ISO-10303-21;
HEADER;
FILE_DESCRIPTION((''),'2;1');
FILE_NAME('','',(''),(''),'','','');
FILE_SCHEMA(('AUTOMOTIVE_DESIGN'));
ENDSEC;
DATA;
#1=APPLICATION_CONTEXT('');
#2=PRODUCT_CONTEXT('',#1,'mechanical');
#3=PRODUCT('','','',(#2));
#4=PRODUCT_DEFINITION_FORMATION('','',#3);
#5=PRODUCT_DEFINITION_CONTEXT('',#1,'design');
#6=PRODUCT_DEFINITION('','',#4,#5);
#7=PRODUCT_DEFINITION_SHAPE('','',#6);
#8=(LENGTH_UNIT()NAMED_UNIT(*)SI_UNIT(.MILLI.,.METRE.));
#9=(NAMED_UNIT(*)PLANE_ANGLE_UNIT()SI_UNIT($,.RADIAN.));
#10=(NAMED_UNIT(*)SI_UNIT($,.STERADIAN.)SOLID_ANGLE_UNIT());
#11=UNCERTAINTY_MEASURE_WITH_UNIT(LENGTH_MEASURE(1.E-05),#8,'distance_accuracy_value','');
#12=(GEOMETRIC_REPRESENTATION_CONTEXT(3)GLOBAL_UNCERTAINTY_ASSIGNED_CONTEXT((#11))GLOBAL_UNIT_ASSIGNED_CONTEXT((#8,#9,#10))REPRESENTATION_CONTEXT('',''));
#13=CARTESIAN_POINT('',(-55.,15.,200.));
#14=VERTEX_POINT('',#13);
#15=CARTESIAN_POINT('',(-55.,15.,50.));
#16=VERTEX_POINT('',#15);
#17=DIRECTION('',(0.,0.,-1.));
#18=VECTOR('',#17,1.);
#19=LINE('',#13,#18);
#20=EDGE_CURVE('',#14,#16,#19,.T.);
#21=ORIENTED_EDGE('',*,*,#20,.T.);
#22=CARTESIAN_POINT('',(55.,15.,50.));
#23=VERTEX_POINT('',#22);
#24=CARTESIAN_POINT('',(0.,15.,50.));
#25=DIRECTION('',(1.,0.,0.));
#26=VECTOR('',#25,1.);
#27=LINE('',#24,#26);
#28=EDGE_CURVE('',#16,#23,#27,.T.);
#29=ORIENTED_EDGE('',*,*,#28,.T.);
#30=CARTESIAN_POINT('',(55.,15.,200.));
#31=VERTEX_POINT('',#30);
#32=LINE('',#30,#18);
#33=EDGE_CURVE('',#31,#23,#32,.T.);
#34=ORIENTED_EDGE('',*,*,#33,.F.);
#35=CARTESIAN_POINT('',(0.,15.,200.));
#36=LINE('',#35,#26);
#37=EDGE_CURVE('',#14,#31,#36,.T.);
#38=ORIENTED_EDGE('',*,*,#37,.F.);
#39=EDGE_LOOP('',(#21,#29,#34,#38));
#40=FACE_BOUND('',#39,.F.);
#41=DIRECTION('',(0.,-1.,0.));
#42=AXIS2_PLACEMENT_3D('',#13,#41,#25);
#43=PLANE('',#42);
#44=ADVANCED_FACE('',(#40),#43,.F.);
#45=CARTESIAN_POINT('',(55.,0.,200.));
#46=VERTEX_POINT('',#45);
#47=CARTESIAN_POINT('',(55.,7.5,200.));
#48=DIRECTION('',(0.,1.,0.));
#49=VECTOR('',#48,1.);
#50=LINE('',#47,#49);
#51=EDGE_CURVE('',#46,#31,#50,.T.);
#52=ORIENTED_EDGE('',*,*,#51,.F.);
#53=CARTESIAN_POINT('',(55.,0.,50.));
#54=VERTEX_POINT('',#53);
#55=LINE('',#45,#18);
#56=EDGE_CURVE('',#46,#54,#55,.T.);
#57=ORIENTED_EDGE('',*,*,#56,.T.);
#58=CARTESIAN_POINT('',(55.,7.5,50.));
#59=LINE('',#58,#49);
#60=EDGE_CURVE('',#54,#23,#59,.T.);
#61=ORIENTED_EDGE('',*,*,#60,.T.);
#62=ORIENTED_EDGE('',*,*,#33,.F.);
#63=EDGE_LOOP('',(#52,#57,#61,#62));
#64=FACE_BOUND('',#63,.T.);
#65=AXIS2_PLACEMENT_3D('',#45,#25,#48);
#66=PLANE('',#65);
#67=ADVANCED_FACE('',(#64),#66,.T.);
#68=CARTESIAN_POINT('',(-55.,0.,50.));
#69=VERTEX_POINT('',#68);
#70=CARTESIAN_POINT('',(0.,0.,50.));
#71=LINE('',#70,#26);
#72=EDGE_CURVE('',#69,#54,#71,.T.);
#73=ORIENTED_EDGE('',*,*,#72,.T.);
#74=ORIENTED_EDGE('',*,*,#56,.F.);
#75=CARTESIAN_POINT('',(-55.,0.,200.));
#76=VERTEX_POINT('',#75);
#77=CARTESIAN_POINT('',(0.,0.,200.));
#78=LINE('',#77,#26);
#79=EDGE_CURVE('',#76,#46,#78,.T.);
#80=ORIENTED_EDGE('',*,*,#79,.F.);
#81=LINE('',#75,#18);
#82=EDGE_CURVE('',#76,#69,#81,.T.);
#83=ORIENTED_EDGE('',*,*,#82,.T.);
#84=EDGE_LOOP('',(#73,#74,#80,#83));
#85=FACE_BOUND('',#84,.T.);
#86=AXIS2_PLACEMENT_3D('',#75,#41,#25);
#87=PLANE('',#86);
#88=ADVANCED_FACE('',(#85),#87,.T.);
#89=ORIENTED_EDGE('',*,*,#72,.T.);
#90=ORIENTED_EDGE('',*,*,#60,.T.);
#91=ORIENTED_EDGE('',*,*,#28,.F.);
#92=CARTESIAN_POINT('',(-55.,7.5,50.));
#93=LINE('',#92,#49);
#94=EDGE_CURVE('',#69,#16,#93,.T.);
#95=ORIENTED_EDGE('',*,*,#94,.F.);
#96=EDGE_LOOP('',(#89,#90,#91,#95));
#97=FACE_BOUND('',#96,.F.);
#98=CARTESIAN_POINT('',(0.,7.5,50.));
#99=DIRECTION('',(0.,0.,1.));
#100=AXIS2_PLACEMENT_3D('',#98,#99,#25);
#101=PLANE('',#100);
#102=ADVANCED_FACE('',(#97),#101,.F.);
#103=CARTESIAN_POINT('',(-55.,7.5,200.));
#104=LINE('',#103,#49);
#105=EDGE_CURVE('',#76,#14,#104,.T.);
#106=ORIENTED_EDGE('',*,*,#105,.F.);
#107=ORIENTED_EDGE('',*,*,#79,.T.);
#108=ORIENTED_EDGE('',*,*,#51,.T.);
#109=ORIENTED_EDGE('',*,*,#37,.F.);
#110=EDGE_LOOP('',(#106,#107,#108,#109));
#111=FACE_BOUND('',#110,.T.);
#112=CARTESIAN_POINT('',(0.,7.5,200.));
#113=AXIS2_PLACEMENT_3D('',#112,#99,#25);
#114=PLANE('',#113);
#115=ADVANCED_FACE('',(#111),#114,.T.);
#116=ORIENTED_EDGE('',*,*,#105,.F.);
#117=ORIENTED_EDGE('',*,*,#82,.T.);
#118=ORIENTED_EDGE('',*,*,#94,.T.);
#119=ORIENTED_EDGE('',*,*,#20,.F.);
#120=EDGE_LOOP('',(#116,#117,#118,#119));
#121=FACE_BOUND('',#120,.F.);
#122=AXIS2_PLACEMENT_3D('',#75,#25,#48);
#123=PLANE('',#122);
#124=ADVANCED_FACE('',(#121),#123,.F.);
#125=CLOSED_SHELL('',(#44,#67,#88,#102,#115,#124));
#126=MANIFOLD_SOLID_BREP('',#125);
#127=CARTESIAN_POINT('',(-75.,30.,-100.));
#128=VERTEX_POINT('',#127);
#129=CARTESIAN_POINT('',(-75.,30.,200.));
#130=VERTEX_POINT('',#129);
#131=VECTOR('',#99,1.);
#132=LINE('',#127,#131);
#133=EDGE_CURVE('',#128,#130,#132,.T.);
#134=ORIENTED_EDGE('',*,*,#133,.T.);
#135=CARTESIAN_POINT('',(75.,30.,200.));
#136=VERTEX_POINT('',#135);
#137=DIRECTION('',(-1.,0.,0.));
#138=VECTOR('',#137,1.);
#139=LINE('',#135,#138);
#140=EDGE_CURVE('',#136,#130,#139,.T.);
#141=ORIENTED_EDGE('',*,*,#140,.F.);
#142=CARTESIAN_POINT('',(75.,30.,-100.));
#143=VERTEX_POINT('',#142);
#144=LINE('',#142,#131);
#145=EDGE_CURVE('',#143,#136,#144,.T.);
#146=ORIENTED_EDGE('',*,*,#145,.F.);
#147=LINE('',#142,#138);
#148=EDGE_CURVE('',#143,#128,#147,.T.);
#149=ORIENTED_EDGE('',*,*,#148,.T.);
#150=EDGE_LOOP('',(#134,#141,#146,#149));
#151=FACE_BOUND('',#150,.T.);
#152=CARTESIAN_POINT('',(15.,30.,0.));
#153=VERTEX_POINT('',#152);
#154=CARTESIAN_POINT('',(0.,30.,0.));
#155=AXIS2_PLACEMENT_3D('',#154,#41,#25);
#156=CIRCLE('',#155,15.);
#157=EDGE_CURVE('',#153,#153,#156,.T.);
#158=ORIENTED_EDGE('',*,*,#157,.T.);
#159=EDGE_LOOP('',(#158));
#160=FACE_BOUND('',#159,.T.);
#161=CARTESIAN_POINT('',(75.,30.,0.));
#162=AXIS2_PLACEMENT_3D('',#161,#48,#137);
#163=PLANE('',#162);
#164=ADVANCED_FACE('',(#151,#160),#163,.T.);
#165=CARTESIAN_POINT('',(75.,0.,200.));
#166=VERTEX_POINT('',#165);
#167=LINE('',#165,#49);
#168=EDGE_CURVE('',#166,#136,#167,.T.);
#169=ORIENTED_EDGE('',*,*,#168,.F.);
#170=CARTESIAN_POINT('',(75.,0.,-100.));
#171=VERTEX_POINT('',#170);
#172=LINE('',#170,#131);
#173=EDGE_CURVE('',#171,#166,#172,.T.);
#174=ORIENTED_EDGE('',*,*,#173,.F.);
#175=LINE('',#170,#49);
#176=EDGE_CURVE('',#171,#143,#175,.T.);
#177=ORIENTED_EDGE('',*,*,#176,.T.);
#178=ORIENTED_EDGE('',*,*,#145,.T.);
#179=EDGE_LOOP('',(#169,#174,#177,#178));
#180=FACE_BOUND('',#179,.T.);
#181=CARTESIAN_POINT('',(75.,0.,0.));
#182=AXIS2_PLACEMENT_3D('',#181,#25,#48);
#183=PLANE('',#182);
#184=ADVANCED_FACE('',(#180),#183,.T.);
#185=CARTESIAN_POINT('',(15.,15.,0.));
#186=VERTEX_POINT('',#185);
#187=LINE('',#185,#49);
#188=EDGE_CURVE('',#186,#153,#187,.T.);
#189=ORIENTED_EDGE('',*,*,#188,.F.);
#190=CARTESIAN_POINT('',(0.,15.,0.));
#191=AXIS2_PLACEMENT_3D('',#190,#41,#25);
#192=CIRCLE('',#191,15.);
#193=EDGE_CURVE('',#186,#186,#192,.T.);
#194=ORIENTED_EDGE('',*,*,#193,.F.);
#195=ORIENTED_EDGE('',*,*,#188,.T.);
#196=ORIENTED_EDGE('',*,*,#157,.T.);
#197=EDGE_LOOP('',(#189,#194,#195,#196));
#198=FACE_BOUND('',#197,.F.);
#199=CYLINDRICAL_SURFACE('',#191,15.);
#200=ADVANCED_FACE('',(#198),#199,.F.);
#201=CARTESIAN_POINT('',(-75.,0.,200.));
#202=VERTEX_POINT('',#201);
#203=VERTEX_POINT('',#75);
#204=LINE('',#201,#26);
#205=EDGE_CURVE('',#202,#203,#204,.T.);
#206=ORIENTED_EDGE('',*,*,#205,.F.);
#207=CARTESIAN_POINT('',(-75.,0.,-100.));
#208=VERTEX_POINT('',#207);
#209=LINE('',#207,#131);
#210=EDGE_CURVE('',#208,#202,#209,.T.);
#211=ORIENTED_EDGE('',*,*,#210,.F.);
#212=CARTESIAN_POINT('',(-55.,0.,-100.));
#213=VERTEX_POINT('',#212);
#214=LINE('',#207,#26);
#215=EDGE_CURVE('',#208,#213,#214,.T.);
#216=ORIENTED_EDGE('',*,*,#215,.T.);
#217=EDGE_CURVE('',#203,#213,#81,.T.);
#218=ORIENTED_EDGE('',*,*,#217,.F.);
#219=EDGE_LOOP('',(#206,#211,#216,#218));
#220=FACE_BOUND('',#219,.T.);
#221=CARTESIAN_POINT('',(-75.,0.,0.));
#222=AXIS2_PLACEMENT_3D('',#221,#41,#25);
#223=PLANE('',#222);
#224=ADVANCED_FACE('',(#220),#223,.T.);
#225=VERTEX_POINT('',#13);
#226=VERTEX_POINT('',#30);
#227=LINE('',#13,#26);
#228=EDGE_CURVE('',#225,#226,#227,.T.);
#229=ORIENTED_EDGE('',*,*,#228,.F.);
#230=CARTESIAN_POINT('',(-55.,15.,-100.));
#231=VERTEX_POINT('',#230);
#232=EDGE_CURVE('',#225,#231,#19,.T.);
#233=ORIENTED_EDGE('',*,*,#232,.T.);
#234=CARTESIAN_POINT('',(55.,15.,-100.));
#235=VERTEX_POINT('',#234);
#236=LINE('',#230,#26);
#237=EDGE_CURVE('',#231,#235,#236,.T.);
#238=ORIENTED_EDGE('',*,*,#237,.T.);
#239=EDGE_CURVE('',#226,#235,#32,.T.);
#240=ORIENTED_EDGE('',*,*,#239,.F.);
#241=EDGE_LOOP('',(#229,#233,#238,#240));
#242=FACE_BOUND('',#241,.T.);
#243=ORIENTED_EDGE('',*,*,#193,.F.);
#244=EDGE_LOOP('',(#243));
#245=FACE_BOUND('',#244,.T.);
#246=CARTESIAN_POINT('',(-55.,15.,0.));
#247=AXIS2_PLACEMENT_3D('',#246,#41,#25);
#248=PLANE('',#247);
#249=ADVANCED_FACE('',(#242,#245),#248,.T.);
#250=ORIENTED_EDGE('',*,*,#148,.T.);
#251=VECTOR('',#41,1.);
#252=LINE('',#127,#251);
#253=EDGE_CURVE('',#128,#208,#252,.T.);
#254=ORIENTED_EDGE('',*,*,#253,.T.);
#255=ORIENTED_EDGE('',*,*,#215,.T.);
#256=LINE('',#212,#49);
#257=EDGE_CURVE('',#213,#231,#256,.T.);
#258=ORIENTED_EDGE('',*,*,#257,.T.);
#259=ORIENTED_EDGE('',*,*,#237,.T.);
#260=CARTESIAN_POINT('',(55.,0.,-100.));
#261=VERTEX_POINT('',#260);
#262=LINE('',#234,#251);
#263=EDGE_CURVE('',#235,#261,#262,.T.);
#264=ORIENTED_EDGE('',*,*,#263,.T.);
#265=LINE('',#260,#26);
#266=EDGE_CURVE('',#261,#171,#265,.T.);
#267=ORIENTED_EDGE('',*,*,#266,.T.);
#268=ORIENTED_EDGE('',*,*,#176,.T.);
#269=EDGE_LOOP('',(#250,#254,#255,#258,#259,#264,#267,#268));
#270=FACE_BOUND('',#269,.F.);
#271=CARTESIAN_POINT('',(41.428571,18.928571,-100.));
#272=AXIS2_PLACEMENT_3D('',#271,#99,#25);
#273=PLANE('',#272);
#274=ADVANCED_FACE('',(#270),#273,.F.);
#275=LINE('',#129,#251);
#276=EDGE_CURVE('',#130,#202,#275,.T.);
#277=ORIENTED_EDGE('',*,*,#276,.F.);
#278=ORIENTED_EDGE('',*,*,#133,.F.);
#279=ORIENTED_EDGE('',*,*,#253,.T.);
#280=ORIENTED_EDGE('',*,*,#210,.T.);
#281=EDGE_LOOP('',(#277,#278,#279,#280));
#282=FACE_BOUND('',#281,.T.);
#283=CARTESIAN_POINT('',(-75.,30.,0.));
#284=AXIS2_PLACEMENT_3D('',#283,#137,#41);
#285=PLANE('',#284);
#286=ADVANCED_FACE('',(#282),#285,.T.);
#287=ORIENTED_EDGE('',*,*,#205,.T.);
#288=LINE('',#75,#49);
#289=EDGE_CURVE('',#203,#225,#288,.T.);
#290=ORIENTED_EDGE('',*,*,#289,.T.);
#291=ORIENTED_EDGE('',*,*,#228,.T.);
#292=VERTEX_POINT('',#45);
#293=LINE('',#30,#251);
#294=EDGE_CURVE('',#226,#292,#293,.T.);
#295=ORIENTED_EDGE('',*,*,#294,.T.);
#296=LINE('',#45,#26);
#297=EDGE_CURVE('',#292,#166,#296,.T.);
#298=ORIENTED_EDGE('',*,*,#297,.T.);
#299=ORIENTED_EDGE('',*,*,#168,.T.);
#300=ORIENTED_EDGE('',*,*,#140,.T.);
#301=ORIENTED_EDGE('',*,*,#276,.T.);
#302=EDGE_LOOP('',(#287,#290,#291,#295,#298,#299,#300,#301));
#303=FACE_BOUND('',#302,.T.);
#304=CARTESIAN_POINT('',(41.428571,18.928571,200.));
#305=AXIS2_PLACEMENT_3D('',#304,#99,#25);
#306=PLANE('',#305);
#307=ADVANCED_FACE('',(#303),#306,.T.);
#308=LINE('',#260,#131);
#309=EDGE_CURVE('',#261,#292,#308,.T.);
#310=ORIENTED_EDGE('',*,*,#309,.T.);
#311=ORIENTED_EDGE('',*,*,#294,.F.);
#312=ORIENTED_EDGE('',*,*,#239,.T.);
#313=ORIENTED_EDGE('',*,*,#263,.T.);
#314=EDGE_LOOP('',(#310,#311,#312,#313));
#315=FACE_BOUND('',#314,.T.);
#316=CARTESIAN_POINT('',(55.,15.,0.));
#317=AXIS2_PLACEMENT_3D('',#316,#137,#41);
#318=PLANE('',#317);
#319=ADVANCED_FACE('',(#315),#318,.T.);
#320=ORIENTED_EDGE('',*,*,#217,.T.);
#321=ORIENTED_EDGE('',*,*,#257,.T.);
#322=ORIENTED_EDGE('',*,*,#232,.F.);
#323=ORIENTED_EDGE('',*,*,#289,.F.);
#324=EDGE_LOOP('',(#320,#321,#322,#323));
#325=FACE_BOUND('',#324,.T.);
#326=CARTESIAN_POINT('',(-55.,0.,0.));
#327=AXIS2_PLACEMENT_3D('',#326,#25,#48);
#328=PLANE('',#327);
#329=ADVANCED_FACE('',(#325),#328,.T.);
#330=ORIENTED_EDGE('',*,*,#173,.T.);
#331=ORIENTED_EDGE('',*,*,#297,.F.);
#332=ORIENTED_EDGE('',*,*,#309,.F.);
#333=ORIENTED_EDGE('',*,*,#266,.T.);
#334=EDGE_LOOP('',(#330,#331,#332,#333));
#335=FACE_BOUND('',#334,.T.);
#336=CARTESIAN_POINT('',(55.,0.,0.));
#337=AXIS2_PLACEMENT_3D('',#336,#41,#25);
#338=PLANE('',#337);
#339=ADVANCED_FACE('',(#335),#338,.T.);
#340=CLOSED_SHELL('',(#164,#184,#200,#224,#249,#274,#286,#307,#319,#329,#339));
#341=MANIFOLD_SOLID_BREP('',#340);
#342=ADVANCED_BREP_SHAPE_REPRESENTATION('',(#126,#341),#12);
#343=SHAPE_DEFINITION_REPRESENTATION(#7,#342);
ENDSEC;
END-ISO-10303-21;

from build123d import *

# Parameters (mm, degrees)
F1_DEPTH      = 200
F1_DEPTH_BACK = 100
F2_R          = 15
F3_DEPTH      = 20
F4_W          = 110
F4_H          = 15
F5_DEPTH      = 150


with BuildPart() as f1:
    # F0 (on Top) → F1 (new body, two sides)
    with BuildSketch(Plane.XY) as f1_sk:
        Polygon((55, 15), (55, 0), (75, 0), (75, 30), (0, 30), (0, 15), align=None)
        Polygon((-55, 15), (0, 15), (0, 30), (-75, 30), (-75, 0), (-55, 0), align=None)
    extrude(amount=F1_DEPTH)
    extrude(f1_sk.sketch, amount=-F1_DEPTH_BACK)

    # F2 (on face) → F3 (cut)
    with BuildSketch(Plane.XZ.offset(-15)):
        Circle(F2_R)
    extrude(amount=-F3_DEPTH, mode=Mode.SUBTRACT)


with BuildPart() as f5:
    # F4 (on face) → F5 (new body)
    with BuildSketch(Plane.XY.offset(200)):
        with Locations((0, 7.5)):
            Rectangle(F4_W, F4_H)
    extrude(amount=-F5_DEPTH)


solid = Compound([f1.part, f5.part])
